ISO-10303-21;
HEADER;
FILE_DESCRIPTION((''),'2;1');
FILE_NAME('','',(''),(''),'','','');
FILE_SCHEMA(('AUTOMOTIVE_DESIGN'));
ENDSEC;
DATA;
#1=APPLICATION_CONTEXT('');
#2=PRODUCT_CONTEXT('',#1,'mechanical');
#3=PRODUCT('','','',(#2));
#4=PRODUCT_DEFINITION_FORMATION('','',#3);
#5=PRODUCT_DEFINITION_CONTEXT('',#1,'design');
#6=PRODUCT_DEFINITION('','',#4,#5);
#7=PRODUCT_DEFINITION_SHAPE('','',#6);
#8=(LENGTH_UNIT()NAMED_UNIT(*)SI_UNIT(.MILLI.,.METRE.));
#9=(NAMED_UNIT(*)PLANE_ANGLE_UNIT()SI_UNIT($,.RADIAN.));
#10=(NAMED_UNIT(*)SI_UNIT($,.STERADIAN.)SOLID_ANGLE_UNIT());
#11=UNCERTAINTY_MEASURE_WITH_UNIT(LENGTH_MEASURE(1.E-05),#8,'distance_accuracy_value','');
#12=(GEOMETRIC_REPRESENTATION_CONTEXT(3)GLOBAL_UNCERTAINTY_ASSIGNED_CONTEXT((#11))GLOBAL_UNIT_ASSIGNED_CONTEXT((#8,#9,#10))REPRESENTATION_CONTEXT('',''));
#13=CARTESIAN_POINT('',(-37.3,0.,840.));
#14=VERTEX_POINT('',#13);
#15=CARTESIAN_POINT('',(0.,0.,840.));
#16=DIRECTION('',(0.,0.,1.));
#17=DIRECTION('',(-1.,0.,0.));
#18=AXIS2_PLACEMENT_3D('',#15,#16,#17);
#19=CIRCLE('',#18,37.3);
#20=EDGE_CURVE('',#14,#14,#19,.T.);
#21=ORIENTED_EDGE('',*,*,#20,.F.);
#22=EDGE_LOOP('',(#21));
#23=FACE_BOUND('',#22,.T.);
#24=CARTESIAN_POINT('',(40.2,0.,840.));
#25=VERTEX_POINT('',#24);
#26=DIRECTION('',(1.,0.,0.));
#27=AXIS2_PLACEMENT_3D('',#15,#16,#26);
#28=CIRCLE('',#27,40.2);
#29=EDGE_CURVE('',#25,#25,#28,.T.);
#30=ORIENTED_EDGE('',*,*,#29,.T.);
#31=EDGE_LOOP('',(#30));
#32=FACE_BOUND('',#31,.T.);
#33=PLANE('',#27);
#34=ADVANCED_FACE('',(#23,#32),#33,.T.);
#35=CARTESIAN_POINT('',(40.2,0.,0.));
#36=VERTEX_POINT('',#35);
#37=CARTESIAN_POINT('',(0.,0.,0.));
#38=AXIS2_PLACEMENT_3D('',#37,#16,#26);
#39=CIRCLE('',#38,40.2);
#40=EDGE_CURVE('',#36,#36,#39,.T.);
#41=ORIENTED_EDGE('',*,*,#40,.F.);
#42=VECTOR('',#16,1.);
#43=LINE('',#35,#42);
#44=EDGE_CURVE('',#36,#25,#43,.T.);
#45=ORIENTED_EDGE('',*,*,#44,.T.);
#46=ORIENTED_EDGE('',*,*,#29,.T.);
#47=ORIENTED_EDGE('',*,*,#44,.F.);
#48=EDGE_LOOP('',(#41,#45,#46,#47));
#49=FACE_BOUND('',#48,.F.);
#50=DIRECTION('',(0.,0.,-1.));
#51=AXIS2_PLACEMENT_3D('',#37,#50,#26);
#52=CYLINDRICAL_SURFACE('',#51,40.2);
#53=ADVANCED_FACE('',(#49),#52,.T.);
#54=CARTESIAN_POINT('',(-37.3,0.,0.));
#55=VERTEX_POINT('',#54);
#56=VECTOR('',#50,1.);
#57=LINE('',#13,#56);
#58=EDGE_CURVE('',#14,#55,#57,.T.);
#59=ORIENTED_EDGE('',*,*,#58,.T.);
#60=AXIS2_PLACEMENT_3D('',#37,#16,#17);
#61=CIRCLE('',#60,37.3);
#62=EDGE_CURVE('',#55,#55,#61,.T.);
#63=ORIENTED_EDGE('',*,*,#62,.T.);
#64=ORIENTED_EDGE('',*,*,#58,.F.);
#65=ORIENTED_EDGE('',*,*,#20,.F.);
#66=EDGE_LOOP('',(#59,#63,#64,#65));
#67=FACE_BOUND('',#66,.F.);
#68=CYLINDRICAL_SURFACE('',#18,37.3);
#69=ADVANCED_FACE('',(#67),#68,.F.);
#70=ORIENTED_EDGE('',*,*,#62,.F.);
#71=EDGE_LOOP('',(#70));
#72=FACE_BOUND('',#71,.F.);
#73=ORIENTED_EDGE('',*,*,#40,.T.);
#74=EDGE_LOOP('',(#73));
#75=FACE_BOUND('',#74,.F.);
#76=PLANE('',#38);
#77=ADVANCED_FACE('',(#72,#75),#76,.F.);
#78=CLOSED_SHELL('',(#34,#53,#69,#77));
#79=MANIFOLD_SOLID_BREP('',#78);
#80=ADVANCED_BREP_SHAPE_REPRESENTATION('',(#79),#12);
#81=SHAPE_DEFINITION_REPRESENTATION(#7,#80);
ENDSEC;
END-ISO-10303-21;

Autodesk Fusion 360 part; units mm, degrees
sketch "Boceto1" plane through (0, 0, 0) normal (0, 0, 1) x (1, 0, 0)
  circle A0 centre (0, 0) radius 40.2
  dimension "d1" = 80.4
extrude "Extruir1" add sketch "Boceto1" along normal blind 840
sketch "Boceto2" plane through (0, 0, 840) normal (0, 0, 1) x (-1, 0, 0)
  circle A0 centre (0, 0) radius 40.2
  circle A1 centre (0, 0) radius 37.3
  dimension "d4" = 74.6
extrude "Extruir2" cut sketch "Boceto2" against normal blind 880 contours A1
